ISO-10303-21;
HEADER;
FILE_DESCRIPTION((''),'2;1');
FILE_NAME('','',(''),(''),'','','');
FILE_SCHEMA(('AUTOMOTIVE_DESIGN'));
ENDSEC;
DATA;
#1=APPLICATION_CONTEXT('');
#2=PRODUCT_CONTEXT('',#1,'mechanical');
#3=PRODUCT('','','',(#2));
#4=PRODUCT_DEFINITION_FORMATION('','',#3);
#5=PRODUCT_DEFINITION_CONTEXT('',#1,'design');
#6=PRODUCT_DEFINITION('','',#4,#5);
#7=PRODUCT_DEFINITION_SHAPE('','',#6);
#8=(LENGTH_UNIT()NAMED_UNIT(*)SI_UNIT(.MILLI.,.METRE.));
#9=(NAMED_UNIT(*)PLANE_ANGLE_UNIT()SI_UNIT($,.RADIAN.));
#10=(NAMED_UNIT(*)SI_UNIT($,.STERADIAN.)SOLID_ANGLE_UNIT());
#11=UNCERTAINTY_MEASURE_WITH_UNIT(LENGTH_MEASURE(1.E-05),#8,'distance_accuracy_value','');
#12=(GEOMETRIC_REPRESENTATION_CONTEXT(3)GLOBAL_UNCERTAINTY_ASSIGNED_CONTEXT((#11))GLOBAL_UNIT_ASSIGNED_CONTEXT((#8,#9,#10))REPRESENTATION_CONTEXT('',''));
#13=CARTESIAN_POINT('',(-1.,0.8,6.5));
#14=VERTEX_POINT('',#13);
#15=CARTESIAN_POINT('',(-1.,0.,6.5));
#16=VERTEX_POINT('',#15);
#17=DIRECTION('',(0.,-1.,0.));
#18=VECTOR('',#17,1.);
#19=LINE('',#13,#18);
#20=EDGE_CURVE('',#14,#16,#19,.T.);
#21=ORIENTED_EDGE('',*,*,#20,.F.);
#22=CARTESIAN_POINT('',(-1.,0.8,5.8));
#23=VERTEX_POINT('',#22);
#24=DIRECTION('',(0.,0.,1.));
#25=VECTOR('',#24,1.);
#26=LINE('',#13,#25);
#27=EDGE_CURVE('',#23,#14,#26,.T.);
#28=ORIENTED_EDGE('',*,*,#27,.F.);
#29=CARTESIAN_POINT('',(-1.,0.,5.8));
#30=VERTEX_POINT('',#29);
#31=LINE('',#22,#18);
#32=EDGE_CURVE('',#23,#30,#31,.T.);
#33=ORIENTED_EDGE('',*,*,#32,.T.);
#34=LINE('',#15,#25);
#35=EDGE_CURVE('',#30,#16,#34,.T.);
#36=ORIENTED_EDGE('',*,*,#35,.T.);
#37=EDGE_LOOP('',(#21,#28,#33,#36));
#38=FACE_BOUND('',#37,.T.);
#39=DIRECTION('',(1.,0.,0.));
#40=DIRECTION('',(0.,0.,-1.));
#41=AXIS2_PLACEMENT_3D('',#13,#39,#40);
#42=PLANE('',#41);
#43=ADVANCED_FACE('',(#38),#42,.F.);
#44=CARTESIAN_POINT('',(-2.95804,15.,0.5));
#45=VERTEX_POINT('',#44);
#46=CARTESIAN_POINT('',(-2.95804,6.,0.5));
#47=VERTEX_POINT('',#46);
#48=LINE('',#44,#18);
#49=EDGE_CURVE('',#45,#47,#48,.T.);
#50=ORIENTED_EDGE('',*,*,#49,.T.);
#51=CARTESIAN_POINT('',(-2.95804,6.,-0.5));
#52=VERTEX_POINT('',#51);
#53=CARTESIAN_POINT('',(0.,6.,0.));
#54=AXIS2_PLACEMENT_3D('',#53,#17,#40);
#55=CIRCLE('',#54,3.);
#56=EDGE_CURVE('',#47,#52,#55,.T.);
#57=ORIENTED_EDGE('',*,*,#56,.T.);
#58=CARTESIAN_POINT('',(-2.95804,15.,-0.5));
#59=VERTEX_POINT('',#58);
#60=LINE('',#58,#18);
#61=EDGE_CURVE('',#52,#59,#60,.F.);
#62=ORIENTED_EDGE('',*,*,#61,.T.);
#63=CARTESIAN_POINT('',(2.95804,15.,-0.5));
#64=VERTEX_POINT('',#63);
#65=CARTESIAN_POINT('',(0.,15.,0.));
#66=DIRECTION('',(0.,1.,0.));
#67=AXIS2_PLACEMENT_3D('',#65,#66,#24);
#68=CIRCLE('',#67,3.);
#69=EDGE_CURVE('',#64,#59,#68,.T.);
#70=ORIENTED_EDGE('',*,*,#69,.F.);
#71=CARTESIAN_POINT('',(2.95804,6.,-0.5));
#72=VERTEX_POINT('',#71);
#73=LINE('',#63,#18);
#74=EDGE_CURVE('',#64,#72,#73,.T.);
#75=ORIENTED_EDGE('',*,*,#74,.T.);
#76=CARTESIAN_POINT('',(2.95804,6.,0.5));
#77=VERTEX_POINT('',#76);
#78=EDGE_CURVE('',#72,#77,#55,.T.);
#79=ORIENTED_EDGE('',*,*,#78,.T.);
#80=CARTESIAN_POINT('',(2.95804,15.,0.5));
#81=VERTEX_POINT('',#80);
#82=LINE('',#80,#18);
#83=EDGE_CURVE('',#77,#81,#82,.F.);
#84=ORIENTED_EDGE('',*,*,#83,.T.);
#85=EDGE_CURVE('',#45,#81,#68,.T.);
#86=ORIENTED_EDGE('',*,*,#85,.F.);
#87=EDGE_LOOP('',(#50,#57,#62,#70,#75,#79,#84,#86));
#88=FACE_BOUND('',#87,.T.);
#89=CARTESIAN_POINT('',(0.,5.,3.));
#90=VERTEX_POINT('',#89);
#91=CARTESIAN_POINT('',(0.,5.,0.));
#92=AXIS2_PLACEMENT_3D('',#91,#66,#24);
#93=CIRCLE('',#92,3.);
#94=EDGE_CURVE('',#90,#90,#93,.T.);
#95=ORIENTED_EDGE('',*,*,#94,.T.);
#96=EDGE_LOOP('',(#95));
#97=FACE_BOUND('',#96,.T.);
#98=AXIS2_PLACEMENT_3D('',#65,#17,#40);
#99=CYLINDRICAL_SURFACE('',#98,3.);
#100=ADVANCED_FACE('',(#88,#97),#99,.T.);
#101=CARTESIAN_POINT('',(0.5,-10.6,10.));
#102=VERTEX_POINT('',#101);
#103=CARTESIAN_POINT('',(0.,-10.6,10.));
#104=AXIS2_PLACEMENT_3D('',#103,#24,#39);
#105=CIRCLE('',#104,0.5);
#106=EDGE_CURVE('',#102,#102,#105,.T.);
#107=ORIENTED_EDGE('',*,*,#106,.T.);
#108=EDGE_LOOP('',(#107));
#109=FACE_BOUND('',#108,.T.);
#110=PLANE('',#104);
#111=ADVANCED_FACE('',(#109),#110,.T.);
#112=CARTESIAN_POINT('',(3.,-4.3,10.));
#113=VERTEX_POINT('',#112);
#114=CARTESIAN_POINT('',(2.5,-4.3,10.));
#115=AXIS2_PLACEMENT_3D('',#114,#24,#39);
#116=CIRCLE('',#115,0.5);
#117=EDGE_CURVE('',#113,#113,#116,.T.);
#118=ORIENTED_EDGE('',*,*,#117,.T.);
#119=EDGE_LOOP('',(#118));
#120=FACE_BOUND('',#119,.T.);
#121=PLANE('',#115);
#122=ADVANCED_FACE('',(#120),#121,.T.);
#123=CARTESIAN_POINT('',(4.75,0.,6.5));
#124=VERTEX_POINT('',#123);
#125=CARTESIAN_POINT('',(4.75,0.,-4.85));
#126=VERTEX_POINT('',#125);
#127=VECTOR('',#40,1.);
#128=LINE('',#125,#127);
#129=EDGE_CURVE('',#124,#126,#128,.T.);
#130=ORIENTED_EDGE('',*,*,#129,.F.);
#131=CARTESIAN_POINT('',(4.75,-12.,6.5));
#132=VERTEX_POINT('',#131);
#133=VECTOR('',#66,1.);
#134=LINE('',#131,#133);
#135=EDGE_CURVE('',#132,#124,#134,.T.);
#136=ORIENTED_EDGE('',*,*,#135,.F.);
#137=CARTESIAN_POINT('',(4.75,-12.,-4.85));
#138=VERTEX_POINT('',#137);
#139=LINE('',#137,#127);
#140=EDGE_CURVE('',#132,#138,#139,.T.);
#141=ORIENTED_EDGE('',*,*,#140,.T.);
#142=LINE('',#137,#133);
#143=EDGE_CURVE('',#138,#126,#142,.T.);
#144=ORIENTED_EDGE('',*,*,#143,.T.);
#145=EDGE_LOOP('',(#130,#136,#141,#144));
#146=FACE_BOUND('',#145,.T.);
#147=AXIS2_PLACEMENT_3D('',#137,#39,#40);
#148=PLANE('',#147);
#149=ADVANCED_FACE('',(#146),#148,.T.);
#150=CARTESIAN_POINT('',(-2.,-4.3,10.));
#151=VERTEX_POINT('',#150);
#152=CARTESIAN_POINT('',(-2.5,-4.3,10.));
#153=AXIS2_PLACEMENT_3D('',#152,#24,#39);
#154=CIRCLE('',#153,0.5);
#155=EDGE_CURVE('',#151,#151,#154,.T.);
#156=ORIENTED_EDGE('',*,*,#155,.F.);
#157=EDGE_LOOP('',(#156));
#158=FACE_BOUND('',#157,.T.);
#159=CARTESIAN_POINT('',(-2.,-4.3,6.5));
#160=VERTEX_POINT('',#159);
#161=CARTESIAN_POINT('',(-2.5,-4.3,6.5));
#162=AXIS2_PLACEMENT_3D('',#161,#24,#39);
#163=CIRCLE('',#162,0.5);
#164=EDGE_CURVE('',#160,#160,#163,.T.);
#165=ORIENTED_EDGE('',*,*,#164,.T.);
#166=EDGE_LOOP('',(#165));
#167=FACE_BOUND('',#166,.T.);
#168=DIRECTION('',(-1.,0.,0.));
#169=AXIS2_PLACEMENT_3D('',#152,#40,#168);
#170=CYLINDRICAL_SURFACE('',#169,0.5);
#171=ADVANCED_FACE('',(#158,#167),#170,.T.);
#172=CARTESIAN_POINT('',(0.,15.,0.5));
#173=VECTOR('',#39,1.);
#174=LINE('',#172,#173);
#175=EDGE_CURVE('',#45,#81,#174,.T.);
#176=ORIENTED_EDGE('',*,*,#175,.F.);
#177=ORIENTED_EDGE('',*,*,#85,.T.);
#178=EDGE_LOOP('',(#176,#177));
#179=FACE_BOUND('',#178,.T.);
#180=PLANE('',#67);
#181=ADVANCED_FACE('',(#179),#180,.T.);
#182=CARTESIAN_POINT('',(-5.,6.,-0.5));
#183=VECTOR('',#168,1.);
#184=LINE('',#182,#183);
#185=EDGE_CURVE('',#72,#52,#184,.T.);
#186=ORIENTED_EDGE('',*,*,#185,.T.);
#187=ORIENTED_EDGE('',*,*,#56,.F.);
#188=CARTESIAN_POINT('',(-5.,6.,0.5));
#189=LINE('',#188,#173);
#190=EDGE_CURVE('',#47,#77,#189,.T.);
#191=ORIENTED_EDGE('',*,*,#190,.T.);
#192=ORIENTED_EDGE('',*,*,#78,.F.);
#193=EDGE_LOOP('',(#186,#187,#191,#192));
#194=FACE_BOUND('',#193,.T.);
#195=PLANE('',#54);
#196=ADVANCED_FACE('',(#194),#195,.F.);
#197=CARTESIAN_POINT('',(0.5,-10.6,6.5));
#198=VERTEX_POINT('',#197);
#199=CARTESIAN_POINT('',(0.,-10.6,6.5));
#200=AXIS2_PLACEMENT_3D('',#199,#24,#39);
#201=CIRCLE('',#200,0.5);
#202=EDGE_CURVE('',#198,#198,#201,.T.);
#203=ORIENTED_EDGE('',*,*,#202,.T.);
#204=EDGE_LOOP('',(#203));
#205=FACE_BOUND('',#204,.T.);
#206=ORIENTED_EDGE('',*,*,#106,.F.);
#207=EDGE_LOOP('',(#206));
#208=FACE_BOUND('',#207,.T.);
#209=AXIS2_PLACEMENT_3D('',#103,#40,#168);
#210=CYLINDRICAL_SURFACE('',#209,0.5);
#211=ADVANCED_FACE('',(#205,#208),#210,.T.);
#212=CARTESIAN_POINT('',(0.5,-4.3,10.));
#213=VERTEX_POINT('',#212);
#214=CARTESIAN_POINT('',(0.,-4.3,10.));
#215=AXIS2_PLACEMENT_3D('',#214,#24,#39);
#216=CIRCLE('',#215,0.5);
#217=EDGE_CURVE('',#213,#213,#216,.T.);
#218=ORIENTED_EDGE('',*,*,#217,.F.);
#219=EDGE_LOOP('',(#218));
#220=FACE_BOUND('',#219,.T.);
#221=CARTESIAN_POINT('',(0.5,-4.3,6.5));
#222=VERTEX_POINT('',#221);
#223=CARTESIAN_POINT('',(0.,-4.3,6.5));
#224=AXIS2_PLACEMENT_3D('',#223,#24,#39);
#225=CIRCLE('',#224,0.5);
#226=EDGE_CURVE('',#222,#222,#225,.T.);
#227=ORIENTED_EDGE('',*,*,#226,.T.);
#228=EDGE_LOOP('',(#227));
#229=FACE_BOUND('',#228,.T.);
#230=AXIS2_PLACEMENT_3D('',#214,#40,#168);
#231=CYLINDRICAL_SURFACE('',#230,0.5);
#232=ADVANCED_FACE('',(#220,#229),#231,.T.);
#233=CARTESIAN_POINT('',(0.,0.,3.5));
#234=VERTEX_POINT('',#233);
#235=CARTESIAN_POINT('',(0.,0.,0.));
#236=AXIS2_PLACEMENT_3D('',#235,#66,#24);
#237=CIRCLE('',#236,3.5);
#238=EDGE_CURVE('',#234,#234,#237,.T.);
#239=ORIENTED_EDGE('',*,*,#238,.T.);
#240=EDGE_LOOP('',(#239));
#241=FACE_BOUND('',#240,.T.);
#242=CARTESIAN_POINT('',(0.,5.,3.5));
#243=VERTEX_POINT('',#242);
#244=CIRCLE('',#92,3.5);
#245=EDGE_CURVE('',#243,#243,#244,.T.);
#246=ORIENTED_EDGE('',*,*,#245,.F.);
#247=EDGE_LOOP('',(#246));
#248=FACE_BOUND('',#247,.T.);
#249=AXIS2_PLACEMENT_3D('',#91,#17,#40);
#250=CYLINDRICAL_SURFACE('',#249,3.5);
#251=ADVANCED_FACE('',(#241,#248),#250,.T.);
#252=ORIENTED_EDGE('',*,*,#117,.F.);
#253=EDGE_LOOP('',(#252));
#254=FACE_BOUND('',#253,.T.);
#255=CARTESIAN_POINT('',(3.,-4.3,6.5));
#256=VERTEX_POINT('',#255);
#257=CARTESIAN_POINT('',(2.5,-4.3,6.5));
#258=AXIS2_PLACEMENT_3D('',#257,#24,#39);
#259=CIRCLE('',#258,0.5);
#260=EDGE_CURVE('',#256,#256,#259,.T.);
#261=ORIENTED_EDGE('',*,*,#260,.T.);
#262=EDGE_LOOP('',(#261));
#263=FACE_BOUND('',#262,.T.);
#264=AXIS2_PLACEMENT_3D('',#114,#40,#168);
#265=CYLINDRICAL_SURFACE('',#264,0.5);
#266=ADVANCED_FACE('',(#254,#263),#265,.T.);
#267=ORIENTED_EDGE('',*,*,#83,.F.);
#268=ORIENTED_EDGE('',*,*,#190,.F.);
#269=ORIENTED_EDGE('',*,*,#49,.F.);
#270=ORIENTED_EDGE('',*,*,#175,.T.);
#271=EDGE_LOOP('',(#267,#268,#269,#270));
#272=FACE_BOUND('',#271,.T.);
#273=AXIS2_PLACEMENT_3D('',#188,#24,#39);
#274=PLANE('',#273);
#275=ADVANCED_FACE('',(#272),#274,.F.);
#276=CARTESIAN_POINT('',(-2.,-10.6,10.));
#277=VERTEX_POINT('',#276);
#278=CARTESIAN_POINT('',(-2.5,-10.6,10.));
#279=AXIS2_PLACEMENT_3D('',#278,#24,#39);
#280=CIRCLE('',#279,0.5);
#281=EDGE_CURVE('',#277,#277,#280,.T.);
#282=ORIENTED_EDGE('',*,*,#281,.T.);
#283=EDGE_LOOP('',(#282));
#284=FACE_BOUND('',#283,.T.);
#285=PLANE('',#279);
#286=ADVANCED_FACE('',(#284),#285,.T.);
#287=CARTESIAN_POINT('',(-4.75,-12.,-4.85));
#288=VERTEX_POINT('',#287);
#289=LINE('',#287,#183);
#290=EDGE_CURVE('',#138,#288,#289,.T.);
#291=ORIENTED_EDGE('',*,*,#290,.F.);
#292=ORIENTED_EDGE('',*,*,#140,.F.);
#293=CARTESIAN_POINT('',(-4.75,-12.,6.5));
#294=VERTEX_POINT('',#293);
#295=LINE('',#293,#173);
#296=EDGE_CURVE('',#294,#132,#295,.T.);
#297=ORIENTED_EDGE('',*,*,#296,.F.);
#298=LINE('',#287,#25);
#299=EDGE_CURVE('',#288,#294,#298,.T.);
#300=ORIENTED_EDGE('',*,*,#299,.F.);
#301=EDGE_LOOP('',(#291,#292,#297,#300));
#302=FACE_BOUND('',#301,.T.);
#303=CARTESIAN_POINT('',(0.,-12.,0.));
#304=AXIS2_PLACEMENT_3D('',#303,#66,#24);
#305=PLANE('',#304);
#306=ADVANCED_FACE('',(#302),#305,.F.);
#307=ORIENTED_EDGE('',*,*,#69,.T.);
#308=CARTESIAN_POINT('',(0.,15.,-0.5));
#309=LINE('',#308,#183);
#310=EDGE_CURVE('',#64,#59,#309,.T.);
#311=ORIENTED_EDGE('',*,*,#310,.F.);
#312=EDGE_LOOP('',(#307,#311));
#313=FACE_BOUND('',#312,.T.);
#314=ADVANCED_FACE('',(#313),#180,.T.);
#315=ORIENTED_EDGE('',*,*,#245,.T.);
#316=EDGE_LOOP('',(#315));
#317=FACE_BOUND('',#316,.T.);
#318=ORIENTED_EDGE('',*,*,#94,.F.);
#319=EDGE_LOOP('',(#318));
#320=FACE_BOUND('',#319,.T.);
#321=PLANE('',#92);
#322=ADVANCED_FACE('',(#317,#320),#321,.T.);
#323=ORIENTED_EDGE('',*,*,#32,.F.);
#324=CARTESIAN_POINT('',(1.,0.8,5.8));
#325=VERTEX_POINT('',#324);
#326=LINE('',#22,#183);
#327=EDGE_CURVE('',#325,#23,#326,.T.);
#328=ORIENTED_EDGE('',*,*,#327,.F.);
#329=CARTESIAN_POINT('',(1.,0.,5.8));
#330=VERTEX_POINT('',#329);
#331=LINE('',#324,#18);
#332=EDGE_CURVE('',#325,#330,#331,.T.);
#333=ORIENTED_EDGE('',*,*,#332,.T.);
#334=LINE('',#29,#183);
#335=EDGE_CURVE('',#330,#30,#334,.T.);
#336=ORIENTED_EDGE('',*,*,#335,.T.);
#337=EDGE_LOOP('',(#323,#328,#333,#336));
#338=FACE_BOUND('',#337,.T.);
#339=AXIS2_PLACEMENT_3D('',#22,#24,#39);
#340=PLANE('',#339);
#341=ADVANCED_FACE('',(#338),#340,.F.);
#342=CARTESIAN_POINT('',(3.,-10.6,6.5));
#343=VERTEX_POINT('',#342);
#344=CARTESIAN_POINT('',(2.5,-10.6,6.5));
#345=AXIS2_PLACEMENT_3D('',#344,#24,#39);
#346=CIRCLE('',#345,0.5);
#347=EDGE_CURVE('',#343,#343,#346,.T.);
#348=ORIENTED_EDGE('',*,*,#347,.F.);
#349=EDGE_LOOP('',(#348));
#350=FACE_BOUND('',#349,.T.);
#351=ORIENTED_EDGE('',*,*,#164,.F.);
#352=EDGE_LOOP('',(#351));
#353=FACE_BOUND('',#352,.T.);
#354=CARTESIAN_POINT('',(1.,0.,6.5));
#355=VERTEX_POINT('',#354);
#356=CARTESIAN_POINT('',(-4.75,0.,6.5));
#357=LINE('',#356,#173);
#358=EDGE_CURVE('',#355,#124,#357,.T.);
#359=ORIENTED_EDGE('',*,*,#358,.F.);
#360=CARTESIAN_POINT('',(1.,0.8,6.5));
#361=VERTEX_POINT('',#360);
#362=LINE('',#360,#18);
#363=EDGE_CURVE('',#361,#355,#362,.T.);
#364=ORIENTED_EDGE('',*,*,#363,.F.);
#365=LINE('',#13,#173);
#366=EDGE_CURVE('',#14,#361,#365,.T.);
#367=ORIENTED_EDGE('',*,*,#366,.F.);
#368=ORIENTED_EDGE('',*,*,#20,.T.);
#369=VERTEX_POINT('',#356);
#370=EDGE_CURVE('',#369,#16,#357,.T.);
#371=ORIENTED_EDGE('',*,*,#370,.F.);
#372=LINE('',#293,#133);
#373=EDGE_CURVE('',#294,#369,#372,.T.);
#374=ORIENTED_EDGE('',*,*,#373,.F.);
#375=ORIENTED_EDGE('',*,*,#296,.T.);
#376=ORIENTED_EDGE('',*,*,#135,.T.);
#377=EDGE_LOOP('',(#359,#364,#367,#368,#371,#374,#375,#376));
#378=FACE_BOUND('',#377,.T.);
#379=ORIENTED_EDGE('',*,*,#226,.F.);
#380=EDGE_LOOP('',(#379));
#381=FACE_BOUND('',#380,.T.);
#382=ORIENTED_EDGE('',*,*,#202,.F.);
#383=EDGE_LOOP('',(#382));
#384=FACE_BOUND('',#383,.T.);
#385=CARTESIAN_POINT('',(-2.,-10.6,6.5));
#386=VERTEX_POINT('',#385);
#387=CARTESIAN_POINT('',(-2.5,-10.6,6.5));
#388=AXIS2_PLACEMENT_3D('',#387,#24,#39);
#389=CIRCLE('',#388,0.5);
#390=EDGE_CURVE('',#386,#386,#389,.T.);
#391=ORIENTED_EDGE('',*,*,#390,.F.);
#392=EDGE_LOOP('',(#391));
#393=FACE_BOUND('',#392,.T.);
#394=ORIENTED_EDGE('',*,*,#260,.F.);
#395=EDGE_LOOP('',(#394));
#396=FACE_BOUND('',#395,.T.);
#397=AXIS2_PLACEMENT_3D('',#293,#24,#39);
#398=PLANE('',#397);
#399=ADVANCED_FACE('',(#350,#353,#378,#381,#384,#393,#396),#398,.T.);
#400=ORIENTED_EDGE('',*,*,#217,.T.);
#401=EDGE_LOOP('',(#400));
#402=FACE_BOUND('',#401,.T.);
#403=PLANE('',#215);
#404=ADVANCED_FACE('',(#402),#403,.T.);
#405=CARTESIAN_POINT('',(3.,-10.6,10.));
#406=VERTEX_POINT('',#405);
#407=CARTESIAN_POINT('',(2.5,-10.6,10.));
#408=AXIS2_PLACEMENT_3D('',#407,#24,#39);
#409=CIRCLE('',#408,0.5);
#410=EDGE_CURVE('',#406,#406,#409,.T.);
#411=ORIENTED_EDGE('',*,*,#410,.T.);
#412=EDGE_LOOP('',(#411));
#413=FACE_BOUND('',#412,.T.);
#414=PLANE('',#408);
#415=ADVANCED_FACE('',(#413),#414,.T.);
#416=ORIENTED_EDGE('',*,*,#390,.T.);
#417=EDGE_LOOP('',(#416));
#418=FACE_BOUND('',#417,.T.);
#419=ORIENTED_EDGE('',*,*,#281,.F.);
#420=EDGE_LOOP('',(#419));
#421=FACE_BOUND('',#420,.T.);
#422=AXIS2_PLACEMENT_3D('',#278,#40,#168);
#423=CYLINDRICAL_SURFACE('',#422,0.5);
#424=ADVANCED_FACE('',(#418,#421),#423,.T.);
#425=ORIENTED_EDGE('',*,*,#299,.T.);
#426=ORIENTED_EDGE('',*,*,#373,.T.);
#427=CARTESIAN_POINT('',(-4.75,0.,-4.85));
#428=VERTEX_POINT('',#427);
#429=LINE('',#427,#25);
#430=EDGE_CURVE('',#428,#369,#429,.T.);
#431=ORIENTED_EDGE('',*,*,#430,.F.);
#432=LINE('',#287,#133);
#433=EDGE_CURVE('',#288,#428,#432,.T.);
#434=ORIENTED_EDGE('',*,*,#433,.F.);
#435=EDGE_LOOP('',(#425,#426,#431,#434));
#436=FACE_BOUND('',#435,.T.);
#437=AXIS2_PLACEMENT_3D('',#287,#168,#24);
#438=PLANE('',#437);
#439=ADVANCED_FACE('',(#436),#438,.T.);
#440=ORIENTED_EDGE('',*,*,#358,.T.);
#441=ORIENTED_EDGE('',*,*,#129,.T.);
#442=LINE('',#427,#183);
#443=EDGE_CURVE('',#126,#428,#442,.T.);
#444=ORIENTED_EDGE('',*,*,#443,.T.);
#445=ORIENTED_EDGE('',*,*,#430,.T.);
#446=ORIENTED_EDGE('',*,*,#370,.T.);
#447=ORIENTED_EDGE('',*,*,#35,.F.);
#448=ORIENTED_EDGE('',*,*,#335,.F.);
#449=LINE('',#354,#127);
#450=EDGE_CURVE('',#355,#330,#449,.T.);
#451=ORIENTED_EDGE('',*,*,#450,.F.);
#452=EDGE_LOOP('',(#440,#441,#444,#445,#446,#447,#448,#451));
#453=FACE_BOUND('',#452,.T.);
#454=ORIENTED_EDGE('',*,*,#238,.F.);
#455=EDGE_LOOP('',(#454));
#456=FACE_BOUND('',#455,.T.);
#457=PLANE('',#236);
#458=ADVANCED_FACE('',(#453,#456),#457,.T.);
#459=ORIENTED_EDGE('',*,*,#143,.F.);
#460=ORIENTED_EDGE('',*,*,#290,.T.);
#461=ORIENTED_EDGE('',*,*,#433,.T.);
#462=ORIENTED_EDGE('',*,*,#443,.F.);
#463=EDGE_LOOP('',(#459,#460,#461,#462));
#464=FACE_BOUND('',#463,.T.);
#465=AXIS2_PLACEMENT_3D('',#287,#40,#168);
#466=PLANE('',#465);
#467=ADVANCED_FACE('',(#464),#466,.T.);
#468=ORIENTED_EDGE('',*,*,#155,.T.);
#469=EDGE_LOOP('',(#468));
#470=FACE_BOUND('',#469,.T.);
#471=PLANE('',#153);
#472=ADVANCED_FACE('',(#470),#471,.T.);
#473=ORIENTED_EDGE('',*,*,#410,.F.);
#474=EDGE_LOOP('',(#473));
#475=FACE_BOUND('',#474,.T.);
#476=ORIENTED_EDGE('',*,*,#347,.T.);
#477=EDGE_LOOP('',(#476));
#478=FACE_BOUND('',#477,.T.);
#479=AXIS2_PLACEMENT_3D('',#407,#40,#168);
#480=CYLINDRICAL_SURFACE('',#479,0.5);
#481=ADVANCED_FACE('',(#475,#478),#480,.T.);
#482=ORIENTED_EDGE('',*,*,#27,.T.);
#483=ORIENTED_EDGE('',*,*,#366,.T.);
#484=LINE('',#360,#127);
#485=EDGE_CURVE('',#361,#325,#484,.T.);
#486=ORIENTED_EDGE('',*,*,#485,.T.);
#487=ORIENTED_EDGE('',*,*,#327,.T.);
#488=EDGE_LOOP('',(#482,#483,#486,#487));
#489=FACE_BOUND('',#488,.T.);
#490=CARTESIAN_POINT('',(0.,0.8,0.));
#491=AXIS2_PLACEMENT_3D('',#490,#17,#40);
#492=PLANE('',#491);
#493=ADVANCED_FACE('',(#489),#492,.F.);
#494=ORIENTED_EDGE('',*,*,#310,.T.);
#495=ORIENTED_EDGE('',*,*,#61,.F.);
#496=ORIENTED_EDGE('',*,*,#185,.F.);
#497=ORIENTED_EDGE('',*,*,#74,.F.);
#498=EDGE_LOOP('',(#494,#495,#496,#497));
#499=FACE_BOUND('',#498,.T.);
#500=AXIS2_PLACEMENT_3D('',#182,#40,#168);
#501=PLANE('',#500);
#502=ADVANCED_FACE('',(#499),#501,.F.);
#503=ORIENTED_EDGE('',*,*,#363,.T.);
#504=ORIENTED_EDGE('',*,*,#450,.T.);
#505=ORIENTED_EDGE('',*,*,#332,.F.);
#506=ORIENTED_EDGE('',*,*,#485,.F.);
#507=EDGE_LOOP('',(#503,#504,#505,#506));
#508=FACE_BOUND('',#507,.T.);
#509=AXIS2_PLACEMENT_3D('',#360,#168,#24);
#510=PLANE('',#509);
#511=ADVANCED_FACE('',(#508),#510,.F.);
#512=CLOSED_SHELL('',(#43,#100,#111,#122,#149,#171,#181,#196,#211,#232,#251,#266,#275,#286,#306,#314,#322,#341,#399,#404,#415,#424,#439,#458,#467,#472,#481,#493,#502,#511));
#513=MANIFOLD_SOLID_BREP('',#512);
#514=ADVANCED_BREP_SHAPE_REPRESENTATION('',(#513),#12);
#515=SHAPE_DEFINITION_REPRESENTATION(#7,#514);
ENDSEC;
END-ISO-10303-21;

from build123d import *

# Parameters (mm, degrees)
SKETCH2_W           = 9.5
SKETCH2_H           = 11.35
BOSS_EXTRUDE1_DEPTH = 12
SKETCH3_R           = 3.5
BOSS_EXTRUDE2_DEPTH = 5
SKETCH4_R           = 3
BOSS_EXTRUDE3_DEPTH = 10
SKETCH5_W           = 10
SKETCH5_H           = 1
CUT_EXTRUDE1_DEPTH  = 9
SKETCH6_W           = 2
SKETCH6_H           = 0.7
BOSS_EXTRUDE4_DEPTH = 0.8
SKETCH7_R           = 0.5
BOSS_EXTRUDE5_DEPTH = 3.5


with BuildPart() as part:
    # Sketch2 → Boss-Extrude1 (new body)
    with BuildSketch(Plane(origin=(0, 0, 0), x_dir=(1, 0, 0), z_dir=(0, 1, 0))):
        with Locations((0, -0.825)):
            Rectangle(SKETCH2_W, SKETCH2_H)
    extrude(amount=-BOSS_EXTRUDE1_DEPTH)

    # Sketch3 → Boss-Extrude2 (add)
    with BuildSketch(Plane(origin=(0, 0, 0), x_dir=(1, 0, 0), z_dir=(0, 1, 0))):
        with Locations(Location((0, 0, 0), (0, 0, 270))):
            Circle(SKETCH3_R)
    extrude(amount=BOSS_EXTRUDE2_DEPTH)

    # Sketch4 → Boss-Extrude3 (add)
    with BuildSketch(Plane(origin=(0, 5, 0), x_dir=(1, 0, 0), z_dir=(0, 1, 0))):
        with Locations(Location((0, 0, 0), (0, 0, 270))):
            Circle(SKETCH4_R)
    extrude(amount=BOSS_EXTRUDE3_DEPTH)

    # Sketch5 → Cut-Extrude1 (cut)
    with BuildSketch(Plane(origin=(0, 15, 0), x_dir=(1, 0, 0), z_dir=(0, 1, 0))):
        Rectangle(SKETCH5_W, SKETCH5_H)
    extrude(amount=-CUT_EXTRUDE1_DEPTH, mode=Mode.SUBTRACT)

    # Sketch6 → Boss-Extrude4 (add)
    with BuildSketch(Plane(origin=(0, 0, 0), x_dir=(1, 0, 0), z_dir=(0, 1, 0))):
        with Locations((0, -6.15)):
            Rectangle(SKETCH6_W, SKETCH6_H)
    extrude(amount=BOSS_EXTRUDE4_DEPTH)

    # Sketch7 → Boss-Extrude5 (add)
    with BuildSketch(Plane.XY.offset(6.5)):
        with Locations((-2.5, -4.3)):
            Circle(SKETCH7_R)
        with Locations((0, -4.3)):
            Circle(SKETCH7_R)
        with Locations((2.5, -4.3)):
            Circle(SKETCH7_R)
        with Locations((0, -10.6)):
            Circle(SKETCH7_R)
        with Locations((2.5, -10.6)):
            Circle(SKETCH7_R)
        with Locations((-2.5, -10.6)):
            Circle(SKETCH7_R)
    extrude(amount=BOSS_EXTRUDE5_DEPTH)


solid = part.part
